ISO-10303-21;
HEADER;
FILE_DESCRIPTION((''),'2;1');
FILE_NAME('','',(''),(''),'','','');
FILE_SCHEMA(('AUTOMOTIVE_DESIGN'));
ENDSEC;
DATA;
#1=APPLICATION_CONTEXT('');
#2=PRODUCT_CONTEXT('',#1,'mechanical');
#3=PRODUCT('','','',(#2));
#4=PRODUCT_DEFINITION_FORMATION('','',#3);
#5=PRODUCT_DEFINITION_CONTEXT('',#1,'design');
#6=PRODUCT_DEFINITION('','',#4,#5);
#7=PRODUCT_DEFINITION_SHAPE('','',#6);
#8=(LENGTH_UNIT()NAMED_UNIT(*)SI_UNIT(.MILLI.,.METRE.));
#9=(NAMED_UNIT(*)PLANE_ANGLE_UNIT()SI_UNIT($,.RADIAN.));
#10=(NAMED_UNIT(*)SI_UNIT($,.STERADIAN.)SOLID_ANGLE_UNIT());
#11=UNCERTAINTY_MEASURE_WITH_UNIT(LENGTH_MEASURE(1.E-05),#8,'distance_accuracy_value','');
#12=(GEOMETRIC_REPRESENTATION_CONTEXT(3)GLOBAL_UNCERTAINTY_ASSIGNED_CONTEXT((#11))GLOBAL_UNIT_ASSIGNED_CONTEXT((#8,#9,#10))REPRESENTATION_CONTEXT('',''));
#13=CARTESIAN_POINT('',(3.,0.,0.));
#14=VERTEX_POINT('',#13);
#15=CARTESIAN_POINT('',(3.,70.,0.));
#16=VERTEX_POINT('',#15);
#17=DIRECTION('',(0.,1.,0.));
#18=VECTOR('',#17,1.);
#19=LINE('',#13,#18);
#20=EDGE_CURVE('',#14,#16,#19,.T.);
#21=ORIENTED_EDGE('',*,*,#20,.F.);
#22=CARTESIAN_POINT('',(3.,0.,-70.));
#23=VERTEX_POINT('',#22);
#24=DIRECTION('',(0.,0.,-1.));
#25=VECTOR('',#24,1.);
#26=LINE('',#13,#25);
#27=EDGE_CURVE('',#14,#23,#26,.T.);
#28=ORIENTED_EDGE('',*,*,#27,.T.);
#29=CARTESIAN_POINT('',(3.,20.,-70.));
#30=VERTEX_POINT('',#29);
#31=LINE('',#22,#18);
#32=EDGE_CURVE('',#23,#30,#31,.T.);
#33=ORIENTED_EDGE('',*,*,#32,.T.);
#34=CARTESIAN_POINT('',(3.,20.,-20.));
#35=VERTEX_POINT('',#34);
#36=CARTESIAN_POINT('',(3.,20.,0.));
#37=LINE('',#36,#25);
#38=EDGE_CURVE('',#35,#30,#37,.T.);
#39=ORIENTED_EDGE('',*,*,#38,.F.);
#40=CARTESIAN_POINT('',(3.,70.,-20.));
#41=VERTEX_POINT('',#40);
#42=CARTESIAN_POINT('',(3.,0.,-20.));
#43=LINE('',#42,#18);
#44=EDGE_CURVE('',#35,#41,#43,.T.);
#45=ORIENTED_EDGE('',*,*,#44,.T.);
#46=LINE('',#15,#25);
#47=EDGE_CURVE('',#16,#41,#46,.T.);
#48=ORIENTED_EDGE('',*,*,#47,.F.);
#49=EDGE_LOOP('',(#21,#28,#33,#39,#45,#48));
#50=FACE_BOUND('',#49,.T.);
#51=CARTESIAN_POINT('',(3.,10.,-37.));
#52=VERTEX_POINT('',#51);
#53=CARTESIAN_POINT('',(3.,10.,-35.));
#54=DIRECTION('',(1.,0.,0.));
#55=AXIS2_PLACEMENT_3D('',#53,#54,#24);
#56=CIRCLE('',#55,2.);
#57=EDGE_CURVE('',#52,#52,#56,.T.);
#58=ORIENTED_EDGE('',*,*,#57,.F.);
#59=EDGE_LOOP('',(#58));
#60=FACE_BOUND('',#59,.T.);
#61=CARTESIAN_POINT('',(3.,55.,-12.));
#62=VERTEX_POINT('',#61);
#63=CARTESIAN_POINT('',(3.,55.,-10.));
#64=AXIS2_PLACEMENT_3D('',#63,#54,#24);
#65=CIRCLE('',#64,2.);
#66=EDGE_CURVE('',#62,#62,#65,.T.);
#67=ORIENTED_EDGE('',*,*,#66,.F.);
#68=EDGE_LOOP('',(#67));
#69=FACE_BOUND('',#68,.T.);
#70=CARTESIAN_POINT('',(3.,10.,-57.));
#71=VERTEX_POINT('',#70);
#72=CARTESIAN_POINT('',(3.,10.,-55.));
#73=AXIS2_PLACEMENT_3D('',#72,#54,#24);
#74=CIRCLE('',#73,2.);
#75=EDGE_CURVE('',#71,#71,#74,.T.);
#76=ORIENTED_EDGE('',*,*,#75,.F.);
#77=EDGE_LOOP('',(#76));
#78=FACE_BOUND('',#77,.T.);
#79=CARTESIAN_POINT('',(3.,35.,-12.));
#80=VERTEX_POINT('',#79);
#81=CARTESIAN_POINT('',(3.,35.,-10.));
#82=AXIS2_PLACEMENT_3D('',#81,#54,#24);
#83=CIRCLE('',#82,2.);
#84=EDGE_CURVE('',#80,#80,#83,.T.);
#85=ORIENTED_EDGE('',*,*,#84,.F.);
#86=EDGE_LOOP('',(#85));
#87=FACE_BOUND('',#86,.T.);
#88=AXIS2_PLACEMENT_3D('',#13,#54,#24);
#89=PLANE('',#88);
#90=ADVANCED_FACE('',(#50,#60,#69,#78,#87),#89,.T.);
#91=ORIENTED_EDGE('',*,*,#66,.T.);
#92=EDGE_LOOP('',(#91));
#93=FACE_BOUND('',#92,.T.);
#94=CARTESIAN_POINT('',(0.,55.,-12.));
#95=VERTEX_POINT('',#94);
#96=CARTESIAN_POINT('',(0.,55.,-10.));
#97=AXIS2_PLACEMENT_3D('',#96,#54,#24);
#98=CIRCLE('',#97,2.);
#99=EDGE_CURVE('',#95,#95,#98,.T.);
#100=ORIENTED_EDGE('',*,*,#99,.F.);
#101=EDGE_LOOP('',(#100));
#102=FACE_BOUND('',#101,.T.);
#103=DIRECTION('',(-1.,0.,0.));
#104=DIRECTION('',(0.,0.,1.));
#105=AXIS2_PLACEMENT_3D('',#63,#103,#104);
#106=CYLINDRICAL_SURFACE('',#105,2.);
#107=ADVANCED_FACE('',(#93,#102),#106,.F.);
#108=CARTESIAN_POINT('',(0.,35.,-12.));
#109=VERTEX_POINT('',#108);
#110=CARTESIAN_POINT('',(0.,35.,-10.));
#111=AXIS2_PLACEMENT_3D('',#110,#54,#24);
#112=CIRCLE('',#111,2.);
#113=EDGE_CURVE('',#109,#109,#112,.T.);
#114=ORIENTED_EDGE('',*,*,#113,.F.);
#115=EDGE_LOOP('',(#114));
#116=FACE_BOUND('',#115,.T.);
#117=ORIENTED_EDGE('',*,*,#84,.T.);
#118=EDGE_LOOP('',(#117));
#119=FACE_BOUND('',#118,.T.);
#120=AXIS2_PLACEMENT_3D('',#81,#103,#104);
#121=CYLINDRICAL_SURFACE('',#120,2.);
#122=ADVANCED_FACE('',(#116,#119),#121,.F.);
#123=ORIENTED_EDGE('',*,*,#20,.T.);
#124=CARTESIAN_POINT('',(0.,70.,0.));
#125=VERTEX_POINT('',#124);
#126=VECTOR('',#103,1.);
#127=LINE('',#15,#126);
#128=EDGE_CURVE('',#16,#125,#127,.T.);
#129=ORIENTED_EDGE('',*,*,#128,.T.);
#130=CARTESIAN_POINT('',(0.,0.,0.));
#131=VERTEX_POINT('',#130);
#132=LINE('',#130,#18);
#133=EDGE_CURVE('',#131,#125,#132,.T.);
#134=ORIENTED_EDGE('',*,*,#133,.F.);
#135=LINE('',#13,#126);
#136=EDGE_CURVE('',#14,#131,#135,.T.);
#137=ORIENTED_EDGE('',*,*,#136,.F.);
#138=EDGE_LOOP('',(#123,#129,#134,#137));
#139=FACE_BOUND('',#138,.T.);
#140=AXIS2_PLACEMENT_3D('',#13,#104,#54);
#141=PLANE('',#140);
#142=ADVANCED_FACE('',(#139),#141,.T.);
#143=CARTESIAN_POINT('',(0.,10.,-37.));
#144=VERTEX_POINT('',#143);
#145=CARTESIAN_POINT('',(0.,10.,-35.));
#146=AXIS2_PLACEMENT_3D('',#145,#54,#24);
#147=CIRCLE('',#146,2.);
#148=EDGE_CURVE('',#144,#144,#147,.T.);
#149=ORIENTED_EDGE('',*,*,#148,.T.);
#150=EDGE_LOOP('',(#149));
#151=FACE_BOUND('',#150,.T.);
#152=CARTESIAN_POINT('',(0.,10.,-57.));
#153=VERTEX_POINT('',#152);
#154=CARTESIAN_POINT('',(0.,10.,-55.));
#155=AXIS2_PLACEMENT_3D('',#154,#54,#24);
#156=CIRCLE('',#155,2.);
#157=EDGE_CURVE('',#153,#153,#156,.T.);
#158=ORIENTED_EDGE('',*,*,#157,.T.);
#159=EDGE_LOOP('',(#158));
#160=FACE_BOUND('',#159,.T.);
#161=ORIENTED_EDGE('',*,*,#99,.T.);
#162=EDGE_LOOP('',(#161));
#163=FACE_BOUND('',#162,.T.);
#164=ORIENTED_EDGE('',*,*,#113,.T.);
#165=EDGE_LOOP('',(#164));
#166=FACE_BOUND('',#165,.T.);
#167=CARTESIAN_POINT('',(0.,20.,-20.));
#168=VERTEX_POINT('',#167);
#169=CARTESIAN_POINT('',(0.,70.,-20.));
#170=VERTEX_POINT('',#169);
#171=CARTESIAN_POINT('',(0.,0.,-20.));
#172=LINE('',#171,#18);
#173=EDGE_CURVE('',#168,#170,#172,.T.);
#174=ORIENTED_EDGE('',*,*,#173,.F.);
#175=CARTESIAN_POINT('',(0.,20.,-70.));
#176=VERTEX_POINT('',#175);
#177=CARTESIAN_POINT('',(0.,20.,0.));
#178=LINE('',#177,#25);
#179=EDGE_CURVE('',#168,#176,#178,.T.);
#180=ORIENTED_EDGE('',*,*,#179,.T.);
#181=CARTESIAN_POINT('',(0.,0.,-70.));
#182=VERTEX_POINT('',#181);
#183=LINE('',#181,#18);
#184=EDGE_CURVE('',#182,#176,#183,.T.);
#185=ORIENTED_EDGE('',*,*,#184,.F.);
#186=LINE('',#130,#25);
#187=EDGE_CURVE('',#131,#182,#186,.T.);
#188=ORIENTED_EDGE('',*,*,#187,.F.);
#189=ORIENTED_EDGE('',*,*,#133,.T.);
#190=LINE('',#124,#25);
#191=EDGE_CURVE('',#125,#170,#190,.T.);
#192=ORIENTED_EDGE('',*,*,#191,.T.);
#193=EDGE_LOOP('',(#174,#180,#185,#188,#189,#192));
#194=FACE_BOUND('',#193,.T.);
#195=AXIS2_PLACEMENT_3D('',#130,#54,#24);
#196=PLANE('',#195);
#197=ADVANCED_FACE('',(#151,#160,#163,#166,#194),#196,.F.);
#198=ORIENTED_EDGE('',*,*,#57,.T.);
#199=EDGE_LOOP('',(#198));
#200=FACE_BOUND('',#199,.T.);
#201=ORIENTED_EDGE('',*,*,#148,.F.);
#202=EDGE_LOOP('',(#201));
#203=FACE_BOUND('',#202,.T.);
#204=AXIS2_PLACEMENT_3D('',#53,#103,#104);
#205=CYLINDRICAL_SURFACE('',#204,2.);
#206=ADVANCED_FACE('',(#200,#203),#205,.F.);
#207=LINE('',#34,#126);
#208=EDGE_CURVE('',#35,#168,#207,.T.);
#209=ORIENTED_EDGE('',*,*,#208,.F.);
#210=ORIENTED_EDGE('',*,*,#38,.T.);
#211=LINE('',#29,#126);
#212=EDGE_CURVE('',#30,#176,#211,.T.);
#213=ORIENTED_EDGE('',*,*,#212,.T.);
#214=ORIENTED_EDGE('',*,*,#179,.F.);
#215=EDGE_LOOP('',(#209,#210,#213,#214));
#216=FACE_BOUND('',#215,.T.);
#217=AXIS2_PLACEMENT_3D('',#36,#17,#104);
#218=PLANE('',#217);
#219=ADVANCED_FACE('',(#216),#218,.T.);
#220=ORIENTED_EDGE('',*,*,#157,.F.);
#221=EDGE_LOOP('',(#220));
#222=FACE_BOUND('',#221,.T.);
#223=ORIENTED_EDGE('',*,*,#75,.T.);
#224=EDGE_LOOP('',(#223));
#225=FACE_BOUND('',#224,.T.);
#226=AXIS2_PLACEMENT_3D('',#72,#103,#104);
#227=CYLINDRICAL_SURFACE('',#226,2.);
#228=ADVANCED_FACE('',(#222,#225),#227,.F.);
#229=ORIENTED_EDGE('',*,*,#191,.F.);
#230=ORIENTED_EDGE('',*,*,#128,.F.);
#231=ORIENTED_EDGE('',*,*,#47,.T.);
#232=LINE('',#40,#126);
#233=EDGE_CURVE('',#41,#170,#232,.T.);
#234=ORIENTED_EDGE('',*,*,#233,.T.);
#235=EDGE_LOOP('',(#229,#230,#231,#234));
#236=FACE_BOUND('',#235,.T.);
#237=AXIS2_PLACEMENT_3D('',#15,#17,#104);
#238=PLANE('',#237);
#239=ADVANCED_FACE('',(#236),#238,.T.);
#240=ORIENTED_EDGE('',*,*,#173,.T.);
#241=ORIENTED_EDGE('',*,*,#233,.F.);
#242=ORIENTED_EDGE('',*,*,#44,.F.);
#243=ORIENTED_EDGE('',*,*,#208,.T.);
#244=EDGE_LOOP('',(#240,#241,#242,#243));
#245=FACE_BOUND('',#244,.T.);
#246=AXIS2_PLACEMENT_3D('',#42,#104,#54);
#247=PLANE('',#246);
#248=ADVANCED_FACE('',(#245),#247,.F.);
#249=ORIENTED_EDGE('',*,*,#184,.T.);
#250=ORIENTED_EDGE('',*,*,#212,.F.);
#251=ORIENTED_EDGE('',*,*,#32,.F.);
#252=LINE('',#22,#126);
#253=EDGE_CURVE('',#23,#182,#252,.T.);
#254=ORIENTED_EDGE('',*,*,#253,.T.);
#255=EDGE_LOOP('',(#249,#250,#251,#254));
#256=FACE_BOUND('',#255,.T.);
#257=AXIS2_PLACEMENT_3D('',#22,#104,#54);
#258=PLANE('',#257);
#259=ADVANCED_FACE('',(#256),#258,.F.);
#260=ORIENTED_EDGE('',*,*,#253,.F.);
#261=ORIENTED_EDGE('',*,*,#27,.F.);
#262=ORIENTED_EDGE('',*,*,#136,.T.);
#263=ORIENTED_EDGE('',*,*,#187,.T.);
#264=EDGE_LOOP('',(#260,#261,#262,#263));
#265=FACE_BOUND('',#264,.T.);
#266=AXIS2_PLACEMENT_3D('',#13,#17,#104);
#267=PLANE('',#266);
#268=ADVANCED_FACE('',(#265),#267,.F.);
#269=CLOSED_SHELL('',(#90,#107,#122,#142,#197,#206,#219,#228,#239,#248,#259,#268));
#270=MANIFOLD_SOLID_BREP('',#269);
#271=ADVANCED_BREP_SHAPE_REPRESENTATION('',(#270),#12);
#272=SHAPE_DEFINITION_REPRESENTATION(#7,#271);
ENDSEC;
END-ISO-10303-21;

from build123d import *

# Parameters (mm, degrees)
ESBO_O1_W                = 20
ESBO_O1_H                = 50
ESBO_O1_R                = 2
ESBO_O1_W_2              = 50
ESBO_O1_H_2              = 20
RESSALTO_EXTRUS_O1_DEPTH = 3


with BuildPart() as part:
    # Esboço1 → Ressalto-extrusão1 (new body)
    with BuildSketch(Plane(origin=(0, 0, 0), x_dir=(0, 0, -1), z_dir=(1, 0, 0))):
        with Locations((10, 45)):
            Rectangle(ESBO_O1_W, ESBO_O1_H)
        with Locations((10, 35)):
            Circle(ESBO_O1_R, mode=Mode.SUBTRACT)
        with Locations((10, 55)):
            Circle(ESBO_O1_R, mode=Mode.SUBTRACT)
        with Locations((45, 10)):
            Rectangle(ESBO_O1_W_2, ESBO_O1_H_2)
        with Locations((35, 10)):
            Circle(ESBO_O1_R, mode=Mode.SUBTRACT)
        with Locations((55, 10)):
            Circle(ESBO_O1_R, mode=Mode.SUBTRACT)
        with Locations((10, 10)):
            Rectangle(ESBO_O1_W, ESBO_O1_H_2)
    extrude(amount=RESSALTO_EXTRUS_O1_DEPTH)


solid = part.part
